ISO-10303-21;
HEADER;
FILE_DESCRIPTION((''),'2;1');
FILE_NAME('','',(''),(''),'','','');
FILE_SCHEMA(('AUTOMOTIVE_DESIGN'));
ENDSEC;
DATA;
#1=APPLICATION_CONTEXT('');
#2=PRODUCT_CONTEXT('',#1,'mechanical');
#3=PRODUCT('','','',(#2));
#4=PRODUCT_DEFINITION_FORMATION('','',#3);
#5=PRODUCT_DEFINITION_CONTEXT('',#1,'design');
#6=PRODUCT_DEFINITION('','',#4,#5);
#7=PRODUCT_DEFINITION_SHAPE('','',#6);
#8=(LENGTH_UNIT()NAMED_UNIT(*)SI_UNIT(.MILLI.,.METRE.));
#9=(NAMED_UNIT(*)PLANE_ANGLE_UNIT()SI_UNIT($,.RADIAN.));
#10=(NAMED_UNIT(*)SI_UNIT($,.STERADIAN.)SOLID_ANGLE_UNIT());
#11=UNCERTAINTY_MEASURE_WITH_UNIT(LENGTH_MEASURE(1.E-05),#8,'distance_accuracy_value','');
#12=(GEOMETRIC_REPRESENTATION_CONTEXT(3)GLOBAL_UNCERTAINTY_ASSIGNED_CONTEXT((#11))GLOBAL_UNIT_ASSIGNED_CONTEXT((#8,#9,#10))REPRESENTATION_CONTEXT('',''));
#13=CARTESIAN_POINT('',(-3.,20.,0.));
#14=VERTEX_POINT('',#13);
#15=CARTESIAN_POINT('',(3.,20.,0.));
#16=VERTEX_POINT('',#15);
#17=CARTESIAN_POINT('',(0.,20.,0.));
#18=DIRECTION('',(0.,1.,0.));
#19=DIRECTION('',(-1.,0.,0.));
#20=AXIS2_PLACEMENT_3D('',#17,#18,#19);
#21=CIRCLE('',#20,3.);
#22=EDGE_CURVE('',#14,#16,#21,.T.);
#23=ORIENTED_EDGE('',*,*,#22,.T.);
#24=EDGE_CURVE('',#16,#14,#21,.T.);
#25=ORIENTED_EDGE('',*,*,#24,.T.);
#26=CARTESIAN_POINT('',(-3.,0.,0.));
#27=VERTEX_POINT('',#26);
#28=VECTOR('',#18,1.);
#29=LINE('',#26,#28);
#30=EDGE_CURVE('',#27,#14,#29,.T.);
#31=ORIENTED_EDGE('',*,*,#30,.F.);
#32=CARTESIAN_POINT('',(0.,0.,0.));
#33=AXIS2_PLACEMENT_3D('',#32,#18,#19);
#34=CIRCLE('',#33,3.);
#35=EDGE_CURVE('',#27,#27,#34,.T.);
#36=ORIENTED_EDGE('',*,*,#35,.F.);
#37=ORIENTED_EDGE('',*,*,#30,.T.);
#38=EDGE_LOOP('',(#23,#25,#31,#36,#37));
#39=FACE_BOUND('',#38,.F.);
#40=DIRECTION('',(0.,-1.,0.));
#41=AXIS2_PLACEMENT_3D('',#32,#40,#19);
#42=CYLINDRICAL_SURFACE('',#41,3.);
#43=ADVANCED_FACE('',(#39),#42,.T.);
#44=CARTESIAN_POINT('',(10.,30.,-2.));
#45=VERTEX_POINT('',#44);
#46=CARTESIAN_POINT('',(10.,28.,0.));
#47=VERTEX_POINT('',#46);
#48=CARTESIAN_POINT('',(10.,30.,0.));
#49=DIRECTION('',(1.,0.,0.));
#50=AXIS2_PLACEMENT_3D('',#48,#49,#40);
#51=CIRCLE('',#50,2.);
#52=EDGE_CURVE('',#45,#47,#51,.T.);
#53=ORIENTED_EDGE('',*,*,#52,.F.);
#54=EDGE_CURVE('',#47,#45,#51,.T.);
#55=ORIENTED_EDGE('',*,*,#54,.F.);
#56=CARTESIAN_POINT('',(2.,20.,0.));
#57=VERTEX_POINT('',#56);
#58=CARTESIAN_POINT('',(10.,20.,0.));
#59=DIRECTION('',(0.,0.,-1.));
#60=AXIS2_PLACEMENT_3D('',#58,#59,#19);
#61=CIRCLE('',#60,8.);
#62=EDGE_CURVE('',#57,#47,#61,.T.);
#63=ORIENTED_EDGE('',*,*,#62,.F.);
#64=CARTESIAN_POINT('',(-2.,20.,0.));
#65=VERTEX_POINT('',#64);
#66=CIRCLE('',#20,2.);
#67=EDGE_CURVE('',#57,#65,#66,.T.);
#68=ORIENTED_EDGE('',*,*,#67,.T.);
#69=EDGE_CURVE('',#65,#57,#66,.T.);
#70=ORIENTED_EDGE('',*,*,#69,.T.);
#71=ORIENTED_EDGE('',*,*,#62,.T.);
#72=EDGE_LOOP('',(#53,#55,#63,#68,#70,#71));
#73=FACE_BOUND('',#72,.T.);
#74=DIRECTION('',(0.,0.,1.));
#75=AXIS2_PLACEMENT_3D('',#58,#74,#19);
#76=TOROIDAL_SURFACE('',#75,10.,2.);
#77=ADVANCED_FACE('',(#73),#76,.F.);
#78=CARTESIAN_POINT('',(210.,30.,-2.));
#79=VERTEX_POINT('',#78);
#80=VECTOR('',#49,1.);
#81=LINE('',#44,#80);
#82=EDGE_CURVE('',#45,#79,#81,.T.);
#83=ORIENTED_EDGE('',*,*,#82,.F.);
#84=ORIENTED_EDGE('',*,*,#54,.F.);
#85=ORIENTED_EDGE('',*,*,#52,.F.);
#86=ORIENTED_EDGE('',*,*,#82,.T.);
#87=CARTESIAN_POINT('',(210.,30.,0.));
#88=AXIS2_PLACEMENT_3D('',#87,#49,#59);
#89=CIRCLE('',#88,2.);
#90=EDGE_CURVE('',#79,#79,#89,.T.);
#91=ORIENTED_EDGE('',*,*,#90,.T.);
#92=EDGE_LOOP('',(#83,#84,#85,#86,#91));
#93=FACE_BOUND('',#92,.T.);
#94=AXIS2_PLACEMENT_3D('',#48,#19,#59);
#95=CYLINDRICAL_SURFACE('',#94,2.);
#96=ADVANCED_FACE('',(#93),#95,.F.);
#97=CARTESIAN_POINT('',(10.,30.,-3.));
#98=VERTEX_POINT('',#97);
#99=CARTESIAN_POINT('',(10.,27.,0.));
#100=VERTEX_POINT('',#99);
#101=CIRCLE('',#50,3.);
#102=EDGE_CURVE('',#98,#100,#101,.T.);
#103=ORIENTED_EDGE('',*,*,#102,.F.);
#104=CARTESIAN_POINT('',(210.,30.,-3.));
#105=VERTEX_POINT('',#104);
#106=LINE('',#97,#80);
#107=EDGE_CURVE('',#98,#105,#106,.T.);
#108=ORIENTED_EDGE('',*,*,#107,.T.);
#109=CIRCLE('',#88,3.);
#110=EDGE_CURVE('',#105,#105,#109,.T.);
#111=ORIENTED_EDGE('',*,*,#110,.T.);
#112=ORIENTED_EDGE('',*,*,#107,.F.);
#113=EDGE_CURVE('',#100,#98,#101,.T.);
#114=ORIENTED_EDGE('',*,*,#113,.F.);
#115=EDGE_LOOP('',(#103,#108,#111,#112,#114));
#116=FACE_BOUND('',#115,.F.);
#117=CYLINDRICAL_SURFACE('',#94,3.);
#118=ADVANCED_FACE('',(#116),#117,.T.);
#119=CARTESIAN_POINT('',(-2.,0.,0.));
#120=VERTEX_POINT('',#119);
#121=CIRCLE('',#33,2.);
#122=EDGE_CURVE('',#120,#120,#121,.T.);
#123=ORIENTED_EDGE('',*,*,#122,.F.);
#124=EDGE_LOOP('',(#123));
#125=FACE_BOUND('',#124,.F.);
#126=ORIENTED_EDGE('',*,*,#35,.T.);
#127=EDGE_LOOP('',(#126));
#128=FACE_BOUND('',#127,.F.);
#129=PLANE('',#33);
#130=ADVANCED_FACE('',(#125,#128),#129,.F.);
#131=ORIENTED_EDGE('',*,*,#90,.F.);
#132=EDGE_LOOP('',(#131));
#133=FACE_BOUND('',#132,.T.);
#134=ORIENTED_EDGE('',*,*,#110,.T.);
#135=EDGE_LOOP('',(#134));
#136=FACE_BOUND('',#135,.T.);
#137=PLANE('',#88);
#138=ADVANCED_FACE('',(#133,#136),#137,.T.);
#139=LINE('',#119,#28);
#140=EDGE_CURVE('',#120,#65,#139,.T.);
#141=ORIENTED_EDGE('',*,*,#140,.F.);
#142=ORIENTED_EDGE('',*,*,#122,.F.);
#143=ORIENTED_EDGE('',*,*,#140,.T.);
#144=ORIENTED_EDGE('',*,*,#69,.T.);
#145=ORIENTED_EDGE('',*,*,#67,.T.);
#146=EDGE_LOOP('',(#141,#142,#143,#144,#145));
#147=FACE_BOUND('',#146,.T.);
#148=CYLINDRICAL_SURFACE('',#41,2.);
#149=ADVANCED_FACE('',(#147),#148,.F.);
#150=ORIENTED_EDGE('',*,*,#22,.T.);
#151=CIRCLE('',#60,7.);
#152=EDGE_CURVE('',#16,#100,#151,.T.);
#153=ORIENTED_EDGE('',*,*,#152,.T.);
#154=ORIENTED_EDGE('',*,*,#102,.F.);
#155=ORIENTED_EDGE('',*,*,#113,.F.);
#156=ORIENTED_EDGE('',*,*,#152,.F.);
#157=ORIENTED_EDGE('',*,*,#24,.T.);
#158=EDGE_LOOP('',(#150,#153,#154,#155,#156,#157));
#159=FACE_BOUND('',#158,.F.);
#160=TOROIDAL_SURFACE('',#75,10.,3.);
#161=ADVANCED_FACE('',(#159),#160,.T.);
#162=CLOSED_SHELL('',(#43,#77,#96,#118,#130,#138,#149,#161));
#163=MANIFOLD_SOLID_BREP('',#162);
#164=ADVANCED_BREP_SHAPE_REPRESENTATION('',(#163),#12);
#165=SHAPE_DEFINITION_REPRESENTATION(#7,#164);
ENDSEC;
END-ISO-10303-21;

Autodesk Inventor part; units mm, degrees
ref_plane "YZ Plane" through (0, 0, 0) normal (1, 0, 0) x (0, 1, 0)
ref_plane "XZ Plane" through (0, 0, 0) normal (0, 1, 0) x (-1, 0, 0)
ref_plane "XY Plane" through (0, 0, 0) normal (0, 0, 1) x (1, 0, 0)
sketch "Sketch1" plane through (0, 0, 0) normal (0, 1, 0) x (-1, 0, 0)
  circle A0 centre (0, 0) radius 2
  circle A1 centre (0, 0) radius 3
  dimension "d0" = 4
  dimension "d1" = 6
extrude "Extrusion1" add sketch "Sketch1" along normal blind 20
sketch "Sketch2" plane through (0, 20, 0) normal (0, 1, 0) x (1, 0, 0)
  circle A0 centre (0, 0) radius 3 projected
  circle A1 centre (0, 0) radius 2 projected
  line L0 (10, -5) -> (10, 5)
  dimension "d4" = 10
  dimension "d5" = 5
  dimension "d6" = 10
revolve "Revolution1" add sketch "Sketch2" angle 90 about axis through (10, 20, 5) along (0, 0, -1)
sketch "Sketch3" plane through (10, 30, 0) normal (1, 0, 0) x (0, 0, -1)
  circle A0 centre (0, 0) radius 3 projected
  circle A1 centre (0, 0) radius 2 projected
  point P0 (0, -30)
extrude "Extrusion2" add sketch "Sketch3" along normal blind 200
properties part number "Pipe"
